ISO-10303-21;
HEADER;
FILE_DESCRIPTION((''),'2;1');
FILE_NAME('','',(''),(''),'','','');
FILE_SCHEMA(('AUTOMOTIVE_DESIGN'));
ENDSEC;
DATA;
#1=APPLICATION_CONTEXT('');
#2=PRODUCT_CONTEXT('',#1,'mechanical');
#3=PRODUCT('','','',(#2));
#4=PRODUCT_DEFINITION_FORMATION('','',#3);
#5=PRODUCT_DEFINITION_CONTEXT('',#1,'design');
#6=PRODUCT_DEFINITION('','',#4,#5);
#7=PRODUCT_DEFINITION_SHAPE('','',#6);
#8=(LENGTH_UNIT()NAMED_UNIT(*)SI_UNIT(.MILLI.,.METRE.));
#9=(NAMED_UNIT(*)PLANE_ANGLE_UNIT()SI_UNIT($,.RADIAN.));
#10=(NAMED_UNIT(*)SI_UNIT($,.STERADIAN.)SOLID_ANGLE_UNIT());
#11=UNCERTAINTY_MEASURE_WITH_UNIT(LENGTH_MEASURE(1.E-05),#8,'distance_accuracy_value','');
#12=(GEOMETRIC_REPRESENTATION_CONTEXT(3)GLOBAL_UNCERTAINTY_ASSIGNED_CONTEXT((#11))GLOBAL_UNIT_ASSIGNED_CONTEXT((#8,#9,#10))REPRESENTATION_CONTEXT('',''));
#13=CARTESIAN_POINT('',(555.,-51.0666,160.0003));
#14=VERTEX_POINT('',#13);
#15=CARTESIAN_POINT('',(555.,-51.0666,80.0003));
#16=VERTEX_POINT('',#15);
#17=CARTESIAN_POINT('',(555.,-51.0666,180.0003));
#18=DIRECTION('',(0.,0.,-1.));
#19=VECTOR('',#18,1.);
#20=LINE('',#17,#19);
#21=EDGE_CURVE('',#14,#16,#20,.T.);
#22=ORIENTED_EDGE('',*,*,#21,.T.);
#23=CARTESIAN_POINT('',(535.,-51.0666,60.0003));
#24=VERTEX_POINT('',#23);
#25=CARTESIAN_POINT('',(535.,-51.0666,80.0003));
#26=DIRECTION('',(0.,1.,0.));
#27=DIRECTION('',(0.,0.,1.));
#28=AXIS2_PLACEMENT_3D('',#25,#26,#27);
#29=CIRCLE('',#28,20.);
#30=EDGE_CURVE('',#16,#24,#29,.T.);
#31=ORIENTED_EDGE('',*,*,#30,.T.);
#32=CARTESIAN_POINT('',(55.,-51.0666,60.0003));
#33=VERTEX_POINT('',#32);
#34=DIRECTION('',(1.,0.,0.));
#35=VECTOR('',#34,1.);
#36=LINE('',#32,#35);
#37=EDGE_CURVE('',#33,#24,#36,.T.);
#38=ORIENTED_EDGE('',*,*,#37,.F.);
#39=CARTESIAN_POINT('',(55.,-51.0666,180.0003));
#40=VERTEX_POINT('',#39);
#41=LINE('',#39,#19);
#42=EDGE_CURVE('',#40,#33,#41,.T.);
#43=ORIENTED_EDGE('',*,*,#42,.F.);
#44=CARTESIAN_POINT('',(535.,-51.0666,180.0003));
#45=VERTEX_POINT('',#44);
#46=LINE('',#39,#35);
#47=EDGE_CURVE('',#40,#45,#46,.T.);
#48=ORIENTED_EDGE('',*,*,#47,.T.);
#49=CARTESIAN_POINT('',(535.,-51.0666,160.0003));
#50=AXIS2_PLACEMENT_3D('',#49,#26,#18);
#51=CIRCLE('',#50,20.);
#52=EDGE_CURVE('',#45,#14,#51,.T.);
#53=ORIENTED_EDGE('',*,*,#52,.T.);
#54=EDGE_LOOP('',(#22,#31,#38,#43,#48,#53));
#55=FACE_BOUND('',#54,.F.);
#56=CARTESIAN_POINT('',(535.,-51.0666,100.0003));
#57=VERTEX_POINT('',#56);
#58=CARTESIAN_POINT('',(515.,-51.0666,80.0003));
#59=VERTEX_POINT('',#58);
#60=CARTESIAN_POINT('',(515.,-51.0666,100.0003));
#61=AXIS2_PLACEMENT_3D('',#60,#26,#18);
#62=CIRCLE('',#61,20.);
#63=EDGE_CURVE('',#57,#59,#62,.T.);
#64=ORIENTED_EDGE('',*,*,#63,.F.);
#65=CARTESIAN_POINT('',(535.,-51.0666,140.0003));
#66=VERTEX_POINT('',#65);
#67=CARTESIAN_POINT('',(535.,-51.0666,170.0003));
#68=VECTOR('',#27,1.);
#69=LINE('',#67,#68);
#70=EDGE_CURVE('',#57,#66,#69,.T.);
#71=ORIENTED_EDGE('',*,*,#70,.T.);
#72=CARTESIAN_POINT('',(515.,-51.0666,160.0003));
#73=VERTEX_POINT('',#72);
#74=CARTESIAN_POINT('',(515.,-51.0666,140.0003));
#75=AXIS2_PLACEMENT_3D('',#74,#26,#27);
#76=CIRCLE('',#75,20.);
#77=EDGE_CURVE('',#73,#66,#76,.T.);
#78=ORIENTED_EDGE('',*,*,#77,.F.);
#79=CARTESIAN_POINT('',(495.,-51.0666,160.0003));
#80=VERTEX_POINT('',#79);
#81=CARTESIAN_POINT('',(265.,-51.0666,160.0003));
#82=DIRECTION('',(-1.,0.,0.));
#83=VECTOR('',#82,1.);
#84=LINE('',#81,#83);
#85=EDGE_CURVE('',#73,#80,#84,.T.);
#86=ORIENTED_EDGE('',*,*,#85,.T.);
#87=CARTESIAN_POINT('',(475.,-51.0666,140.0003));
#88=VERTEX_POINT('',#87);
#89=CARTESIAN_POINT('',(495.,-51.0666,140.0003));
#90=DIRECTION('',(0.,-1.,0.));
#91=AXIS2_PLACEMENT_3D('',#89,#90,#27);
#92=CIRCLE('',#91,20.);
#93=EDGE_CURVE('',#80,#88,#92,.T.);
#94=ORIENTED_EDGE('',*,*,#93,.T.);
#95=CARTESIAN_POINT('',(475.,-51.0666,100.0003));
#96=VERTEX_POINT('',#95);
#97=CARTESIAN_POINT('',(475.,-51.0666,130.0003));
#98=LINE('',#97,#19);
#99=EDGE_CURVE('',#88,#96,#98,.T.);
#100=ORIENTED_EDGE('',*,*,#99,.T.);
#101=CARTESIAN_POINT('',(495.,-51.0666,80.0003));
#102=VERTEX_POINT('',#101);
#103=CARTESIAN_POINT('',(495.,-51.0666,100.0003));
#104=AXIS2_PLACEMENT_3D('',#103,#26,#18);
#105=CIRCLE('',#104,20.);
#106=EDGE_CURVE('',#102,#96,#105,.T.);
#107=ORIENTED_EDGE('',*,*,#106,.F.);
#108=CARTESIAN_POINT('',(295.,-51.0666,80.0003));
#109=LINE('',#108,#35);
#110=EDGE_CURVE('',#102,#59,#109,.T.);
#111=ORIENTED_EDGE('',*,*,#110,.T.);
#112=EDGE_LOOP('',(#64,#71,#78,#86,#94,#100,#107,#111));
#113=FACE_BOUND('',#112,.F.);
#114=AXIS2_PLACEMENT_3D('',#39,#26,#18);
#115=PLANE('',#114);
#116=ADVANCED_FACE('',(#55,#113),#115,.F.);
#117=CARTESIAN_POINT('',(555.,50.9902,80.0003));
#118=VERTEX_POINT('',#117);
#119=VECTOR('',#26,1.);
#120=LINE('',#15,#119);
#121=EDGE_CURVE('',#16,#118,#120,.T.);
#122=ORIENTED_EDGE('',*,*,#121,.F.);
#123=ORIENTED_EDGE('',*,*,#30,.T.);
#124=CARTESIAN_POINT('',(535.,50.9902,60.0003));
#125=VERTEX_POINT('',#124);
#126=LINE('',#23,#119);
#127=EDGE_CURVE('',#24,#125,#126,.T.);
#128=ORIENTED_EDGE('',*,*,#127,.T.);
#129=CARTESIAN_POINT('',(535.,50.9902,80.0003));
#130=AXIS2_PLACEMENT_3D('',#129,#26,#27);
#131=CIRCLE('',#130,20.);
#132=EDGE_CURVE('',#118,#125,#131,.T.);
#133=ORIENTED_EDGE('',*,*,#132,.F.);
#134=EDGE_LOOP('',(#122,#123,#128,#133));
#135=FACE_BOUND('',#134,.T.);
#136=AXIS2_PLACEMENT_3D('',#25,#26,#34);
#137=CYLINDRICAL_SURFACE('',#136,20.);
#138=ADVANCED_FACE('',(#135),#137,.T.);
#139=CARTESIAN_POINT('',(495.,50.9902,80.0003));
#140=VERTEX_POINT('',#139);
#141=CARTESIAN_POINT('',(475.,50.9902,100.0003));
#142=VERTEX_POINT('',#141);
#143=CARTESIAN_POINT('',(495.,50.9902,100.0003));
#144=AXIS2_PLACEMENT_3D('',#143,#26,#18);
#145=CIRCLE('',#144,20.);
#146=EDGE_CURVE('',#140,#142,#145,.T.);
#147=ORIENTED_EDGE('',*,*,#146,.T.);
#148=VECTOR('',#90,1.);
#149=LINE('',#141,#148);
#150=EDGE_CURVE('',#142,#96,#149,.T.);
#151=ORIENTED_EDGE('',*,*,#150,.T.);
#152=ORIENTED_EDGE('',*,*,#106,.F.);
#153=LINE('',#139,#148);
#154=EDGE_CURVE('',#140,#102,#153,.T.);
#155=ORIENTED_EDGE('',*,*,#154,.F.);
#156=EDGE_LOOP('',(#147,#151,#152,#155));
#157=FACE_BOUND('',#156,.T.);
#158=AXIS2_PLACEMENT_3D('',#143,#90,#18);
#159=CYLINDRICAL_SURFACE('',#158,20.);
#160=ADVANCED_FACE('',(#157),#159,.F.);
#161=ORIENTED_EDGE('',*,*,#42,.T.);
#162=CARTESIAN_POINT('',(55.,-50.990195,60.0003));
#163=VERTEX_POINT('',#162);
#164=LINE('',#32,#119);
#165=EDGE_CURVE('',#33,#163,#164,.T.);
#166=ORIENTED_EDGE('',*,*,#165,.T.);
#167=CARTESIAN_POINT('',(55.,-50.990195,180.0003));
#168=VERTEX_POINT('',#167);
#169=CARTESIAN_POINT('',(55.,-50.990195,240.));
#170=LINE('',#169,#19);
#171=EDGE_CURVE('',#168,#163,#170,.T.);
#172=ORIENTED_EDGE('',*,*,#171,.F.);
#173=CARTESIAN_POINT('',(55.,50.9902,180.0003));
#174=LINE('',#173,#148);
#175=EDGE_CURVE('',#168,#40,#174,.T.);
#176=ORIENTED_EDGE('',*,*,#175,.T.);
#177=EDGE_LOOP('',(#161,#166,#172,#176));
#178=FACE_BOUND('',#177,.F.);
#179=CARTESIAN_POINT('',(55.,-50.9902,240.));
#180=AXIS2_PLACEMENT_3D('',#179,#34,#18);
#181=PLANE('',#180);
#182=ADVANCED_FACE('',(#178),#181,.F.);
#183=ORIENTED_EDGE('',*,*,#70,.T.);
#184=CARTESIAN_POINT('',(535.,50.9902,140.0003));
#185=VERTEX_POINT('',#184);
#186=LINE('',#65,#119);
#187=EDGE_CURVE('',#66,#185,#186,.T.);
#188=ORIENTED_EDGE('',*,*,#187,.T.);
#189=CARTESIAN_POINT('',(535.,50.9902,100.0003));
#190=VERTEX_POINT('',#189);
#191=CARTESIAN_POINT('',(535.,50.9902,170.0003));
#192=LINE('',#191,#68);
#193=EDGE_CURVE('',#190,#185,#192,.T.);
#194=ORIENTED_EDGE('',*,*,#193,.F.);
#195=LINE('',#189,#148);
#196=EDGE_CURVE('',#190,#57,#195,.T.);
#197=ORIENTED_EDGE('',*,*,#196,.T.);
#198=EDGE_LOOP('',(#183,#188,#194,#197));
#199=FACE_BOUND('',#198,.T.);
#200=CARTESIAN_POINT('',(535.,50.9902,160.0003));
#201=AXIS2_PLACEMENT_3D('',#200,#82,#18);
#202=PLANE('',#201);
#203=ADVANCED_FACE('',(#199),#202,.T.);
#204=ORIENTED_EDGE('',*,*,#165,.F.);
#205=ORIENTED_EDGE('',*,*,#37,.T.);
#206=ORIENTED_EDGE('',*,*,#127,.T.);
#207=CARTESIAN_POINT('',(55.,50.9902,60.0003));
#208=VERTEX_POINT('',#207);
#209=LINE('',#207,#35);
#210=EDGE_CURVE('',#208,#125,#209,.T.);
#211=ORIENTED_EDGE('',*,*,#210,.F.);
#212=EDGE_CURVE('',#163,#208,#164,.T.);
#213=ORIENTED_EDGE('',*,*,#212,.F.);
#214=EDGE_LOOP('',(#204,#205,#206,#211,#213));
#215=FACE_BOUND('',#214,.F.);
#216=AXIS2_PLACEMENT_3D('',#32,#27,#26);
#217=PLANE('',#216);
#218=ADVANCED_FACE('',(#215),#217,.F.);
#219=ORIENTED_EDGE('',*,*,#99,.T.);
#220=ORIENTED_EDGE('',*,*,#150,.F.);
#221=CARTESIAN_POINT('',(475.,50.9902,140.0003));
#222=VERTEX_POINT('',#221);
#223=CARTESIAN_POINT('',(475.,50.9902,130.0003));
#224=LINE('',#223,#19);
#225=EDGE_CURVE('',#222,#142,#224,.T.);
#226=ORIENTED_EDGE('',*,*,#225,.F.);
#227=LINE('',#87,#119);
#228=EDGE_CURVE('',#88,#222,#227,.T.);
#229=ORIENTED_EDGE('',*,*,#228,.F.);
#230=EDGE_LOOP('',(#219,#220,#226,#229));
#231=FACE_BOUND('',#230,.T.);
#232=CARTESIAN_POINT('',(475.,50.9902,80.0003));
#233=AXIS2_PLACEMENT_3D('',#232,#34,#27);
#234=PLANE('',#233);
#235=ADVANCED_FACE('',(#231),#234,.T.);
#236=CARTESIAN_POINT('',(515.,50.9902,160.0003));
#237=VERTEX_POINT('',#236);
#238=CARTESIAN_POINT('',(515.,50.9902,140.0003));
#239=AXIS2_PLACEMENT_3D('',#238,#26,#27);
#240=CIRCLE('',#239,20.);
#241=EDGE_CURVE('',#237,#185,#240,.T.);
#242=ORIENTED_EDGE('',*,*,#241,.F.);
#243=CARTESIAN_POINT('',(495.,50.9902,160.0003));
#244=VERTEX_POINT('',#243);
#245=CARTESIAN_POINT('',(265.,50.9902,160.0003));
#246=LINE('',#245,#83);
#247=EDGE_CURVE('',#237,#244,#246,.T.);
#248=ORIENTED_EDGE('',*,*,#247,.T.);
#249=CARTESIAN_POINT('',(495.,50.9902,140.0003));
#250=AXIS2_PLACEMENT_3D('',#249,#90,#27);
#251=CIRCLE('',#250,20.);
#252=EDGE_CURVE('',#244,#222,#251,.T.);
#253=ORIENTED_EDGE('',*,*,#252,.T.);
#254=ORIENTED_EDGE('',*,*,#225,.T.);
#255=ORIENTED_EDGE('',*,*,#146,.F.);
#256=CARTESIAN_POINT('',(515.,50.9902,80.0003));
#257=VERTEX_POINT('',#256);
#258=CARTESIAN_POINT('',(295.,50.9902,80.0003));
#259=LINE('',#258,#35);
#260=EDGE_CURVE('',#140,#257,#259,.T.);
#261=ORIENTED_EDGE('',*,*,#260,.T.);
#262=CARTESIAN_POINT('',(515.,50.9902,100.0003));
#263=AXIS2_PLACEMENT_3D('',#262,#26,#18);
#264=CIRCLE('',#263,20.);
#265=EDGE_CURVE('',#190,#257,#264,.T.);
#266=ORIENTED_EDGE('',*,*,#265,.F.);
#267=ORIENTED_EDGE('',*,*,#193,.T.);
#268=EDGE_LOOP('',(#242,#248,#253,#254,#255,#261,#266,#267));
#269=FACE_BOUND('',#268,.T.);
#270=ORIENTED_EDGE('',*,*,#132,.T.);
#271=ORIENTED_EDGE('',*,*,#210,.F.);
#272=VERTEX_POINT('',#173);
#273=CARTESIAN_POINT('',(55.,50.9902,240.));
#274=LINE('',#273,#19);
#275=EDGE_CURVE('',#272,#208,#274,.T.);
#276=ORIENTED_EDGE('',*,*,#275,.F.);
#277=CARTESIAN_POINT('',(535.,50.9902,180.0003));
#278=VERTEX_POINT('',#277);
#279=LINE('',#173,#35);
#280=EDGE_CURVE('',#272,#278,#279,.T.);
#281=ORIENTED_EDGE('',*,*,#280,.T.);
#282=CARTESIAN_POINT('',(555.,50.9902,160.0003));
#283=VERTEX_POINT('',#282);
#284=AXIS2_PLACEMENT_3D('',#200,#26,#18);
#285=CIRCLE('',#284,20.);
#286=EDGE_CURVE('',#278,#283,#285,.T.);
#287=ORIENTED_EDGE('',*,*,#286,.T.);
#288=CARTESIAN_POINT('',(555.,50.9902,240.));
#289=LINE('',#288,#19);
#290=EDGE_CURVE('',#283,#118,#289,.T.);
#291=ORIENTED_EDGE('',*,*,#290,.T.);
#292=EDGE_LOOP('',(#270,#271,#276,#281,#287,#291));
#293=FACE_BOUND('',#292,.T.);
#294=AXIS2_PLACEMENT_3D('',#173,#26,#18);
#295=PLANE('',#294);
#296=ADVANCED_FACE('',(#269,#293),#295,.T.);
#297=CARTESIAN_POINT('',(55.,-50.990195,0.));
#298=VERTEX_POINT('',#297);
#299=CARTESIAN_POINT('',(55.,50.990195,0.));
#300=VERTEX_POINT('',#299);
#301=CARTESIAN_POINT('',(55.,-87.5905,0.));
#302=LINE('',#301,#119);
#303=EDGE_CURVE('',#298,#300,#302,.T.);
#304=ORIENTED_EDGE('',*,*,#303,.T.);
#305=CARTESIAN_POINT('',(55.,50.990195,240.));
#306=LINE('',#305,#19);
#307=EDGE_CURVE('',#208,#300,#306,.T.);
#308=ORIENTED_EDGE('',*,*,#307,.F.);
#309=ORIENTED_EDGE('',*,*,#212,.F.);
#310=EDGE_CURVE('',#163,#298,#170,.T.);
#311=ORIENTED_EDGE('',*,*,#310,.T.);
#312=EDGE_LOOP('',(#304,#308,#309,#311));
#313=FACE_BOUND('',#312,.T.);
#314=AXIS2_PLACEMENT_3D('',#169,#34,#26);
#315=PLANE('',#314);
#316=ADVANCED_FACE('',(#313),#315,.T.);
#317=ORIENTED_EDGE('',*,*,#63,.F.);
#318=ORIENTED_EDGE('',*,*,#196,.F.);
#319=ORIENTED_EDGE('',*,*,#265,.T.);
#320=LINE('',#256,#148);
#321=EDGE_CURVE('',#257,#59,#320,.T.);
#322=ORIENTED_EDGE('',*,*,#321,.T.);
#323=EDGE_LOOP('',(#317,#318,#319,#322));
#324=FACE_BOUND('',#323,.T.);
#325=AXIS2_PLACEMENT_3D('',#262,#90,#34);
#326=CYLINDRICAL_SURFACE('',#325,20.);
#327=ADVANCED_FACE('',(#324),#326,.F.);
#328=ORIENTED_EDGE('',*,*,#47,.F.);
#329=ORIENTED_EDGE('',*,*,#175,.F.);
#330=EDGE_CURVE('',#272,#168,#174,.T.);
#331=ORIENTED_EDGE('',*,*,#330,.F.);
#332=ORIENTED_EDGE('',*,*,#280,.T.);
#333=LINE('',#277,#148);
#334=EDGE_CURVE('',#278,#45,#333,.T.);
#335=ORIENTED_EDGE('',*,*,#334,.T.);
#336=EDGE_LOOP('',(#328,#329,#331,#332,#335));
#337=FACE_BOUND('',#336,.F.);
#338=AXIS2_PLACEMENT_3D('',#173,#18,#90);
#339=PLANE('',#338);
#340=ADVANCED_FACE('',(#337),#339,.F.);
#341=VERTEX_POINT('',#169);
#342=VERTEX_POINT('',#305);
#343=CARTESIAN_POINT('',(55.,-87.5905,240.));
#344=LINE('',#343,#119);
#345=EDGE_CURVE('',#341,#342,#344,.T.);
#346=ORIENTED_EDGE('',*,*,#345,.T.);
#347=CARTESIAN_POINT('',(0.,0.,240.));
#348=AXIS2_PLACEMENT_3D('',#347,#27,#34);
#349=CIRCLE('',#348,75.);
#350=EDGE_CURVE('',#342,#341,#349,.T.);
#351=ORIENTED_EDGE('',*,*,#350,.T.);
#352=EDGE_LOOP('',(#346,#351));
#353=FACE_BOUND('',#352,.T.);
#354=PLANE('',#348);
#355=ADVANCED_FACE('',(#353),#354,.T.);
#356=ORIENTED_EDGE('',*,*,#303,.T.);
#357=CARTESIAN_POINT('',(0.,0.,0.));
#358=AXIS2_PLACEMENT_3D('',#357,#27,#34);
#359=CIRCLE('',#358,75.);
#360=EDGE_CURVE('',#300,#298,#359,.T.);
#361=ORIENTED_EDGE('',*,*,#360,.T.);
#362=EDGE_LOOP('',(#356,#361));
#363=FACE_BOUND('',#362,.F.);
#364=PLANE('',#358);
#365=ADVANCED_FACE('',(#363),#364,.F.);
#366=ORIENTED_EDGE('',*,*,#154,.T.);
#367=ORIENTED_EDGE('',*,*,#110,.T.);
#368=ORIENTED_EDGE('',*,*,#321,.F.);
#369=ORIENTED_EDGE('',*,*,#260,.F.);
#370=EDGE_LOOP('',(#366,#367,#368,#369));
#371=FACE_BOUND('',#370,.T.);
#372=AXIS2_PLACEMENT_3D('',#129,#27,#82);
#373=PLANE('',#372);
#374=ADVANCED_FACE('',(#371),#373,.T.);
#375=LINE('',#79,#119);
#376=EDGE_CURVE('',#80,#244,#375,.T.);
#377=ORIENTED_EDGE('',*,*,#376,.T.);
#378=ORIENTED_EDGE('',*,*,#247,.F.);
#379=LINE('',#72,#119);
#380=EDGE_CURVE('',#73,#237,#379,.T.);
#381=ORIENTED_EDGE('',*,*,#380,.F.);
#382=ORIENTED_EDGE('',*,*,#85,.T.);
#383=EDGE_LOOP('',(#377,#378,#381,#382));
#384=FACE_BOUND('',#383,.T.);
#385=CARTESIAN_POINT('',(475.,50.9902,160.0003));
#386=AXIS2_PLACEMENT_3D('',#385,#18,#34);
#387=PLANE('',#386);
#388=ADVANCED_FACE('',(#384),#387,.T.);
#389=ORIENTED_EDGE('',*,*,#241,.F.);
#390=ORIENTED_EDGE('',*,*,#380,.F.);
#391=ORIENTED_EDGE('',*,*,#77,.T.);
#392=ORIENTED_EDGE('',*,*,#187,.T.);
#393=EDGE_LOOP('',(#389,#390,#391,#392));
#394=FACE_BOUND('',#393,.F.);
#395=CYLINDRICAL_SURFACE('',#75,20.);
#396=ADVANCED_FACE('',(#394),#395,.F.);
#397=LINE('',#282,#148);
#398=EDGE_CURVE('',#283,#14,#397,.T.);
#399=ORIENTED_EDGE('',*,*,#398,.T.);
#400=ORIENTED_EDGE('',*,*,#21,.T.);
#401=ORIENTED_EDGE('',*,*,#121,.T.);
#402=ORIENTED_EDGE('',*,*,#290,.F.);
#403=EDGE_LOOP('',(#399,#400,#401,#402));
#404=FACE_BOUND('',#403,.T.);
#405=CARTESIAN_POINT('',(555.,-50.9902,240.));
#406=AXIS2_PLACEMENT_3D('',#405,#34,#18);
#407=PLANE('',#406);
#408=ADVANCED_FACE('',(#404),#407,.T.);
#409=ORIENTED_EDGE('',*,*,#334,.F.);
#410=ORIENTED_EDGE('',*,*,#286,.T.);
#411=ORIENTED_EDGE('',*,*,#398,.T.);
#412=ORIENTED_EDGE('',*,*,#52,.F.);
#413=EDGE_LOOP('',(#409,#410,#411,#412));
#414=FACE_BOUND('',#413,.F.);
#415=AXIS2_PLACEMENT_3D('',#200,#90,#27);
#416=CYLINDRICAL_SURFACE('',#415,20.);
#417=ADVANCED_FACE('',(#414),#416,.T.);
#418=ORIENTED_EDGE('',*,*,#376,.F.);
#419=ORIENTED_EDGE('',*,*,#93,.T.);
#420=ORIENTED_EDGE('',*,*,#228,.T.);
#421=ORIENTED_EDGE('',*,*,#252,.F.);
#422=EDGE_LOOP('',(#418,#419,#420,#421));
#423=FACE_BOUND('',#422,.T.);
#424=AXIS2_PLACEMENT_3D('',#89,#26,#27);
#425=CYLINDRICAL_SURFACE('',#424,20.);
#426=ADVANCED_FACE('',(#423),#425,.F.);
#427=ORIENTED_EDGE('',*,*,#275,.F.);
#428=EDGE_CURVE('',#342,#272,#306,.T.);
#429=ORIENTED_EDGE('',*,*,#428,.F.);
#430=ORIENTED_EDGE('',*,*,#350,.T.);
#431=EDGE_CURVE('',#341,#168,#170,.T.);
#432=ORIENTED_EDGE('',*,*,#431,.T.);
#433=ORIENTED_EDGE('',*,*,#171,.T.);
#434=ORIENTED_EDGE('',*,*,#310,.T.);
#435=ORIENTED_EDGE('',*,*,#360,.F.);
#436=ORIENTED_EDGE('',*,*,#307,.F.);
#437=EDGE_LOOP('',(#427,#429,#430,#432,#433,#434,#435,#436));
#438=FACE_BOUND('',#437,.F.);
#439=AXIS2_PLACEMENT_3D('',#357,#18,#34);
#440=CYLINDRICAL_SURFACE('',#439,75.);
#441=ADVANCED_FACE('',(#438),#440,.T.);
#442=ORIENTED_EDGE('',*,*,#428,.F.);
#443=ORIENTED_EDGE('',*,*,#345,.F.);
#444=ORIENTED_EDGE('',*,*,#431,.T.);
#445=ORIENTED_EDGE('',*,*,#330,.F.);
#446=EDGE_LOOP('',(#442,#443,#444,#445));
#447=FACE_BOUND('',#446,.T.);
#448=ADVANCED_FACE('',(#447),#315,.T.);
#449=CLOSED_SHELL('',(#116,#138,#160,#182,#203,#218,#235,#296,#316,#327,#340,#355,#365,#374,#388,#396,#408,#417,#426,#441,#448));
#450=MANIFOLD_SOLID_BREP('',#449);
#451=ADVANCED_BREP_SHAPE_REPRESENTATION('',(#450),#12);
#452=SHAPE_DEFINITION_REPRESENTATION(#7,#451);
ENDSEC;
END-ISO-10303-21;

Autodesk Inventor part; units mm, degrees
ref_plane "YZ Plane" through (0, 0, 0) normal (1, 0, 0) x (0, 1, 0)
ref_plane "XZ Plane" through (0, 0, 0) normal (0, 1, 0) x (-1, 0, 0)
ref_plane "XY Plane" through (0, 0, 0) normal (0, 0, 1) x (1, 0, 0)
sketch "Sketch1" plane through (0, 0, 0) normal (0, 0, 1) x (1, 0, 0)
  circle A0 centre (0, 0) radius 75
  dimension "d0" = 150
extrude "Extrusion1" add sketch "Sketch1" along normal blind 240
sketch "Sketch2" plane through (0, 0, 240) normal (0, 0, 1) x (1, 0, 0)
  line L0 (95, -87.5905) -> (55, -87.5905)
  line L1 (55, -87.5905) -> (55, 87.5905)
  line L2 (55, 87.5905) -> (95, 87.5905)
  line L3 (95, 87.5905) -> (95, -87.5905)
  circle A0 centre (0, 0) radius 75 projected
  line L4 (95, -87.5905) -> (55, 87.5905) construction
  line L5 (55, -87.5905) -> (95, 87.5905) construction
  point P0 (75, 0)
  point P1 (55, 50.9902)
  point P2 (55, -50.9902)
  dimension "d3" = 40
extrude "Extrusion2" cut sketch "Sketch2" against normal blind 240 contours L1 A0 picked at (65.2118, -7.3649)
sketch "Sketch3" plane through (55, -50.9902, 240) normal (1, 0, 0) x (0, 0, -1)
  line L0 (0, 101.9804) -> (240, 101.9804) projected
  line L1 (59.9997, -0.0764) -> (179.9997, -0.0764)
  line L2 (179.9997, -0.0764) -> (179.9997, 101.9804)
  line L3 (179.9997, 101.9804) -> (59.9997, 101.9804)
  line L4 (59.9997, 101.9804) -> (59.9997, -0.0764)
  line L5 (59.9997, -0.0764) -> (179.9997, 101.9804) construction
  line L6 (179.9997, -0.0764) -> (59.9997, 101.9804) construction
  point P0 (240, 50.9902)
  point P1 (119.9997, 50.952)
  point P2 (59.9997, 101.9804)
  dimension "d6" = 240
  dimension "d7" = 60
  dimension "d8" = 102.0568
extrude "Extrusion3" add sketch "Sketch3" along normal blind 500
sketch "Sketch4" plane through (55, 50.9902, 180.0003) normal (0, 1, 0) x (1, 0, 0)
  line L0 (420, 20) -> (480, 20)
  line L1 (480, 20) -> (480, 100)
  line L2 (480, 100) -> (420, 100)
  line L3 (420, 100) -> (420, 20)
  line L4 (420, 20) -> (480, 100) construction
  line L5 (480, 20) -> (420, 100) construction
  line L6 (0, 120) -> (500, 120) projected
  line L7 (500, 120) -> (500, 0) projected
  point P0 (-55, 180.0003)
  point P1 (450, 60)
  dimension "d11" = 80
  dimension "d12" = 40
  dimension "d13" = 60
  dimension "d14" = 20
  dimension "d15" = 60
extrude "Extrusion4" cut sketch "Sketch4" along normal mid plane 500
fillet "Fillet1" radius 20 2 edges at (555, -0.0382, 60.0003) (555, -0.0382, 180.0003)
fillet "Fillet2" radius 20 4 edges at (535, -0.0382, 160.0003) (535, -0.0382, 80.0003) (475, -0.0382, 160.0003) (475, -0.0382, 80.0003)
properties part number "Part2final"
